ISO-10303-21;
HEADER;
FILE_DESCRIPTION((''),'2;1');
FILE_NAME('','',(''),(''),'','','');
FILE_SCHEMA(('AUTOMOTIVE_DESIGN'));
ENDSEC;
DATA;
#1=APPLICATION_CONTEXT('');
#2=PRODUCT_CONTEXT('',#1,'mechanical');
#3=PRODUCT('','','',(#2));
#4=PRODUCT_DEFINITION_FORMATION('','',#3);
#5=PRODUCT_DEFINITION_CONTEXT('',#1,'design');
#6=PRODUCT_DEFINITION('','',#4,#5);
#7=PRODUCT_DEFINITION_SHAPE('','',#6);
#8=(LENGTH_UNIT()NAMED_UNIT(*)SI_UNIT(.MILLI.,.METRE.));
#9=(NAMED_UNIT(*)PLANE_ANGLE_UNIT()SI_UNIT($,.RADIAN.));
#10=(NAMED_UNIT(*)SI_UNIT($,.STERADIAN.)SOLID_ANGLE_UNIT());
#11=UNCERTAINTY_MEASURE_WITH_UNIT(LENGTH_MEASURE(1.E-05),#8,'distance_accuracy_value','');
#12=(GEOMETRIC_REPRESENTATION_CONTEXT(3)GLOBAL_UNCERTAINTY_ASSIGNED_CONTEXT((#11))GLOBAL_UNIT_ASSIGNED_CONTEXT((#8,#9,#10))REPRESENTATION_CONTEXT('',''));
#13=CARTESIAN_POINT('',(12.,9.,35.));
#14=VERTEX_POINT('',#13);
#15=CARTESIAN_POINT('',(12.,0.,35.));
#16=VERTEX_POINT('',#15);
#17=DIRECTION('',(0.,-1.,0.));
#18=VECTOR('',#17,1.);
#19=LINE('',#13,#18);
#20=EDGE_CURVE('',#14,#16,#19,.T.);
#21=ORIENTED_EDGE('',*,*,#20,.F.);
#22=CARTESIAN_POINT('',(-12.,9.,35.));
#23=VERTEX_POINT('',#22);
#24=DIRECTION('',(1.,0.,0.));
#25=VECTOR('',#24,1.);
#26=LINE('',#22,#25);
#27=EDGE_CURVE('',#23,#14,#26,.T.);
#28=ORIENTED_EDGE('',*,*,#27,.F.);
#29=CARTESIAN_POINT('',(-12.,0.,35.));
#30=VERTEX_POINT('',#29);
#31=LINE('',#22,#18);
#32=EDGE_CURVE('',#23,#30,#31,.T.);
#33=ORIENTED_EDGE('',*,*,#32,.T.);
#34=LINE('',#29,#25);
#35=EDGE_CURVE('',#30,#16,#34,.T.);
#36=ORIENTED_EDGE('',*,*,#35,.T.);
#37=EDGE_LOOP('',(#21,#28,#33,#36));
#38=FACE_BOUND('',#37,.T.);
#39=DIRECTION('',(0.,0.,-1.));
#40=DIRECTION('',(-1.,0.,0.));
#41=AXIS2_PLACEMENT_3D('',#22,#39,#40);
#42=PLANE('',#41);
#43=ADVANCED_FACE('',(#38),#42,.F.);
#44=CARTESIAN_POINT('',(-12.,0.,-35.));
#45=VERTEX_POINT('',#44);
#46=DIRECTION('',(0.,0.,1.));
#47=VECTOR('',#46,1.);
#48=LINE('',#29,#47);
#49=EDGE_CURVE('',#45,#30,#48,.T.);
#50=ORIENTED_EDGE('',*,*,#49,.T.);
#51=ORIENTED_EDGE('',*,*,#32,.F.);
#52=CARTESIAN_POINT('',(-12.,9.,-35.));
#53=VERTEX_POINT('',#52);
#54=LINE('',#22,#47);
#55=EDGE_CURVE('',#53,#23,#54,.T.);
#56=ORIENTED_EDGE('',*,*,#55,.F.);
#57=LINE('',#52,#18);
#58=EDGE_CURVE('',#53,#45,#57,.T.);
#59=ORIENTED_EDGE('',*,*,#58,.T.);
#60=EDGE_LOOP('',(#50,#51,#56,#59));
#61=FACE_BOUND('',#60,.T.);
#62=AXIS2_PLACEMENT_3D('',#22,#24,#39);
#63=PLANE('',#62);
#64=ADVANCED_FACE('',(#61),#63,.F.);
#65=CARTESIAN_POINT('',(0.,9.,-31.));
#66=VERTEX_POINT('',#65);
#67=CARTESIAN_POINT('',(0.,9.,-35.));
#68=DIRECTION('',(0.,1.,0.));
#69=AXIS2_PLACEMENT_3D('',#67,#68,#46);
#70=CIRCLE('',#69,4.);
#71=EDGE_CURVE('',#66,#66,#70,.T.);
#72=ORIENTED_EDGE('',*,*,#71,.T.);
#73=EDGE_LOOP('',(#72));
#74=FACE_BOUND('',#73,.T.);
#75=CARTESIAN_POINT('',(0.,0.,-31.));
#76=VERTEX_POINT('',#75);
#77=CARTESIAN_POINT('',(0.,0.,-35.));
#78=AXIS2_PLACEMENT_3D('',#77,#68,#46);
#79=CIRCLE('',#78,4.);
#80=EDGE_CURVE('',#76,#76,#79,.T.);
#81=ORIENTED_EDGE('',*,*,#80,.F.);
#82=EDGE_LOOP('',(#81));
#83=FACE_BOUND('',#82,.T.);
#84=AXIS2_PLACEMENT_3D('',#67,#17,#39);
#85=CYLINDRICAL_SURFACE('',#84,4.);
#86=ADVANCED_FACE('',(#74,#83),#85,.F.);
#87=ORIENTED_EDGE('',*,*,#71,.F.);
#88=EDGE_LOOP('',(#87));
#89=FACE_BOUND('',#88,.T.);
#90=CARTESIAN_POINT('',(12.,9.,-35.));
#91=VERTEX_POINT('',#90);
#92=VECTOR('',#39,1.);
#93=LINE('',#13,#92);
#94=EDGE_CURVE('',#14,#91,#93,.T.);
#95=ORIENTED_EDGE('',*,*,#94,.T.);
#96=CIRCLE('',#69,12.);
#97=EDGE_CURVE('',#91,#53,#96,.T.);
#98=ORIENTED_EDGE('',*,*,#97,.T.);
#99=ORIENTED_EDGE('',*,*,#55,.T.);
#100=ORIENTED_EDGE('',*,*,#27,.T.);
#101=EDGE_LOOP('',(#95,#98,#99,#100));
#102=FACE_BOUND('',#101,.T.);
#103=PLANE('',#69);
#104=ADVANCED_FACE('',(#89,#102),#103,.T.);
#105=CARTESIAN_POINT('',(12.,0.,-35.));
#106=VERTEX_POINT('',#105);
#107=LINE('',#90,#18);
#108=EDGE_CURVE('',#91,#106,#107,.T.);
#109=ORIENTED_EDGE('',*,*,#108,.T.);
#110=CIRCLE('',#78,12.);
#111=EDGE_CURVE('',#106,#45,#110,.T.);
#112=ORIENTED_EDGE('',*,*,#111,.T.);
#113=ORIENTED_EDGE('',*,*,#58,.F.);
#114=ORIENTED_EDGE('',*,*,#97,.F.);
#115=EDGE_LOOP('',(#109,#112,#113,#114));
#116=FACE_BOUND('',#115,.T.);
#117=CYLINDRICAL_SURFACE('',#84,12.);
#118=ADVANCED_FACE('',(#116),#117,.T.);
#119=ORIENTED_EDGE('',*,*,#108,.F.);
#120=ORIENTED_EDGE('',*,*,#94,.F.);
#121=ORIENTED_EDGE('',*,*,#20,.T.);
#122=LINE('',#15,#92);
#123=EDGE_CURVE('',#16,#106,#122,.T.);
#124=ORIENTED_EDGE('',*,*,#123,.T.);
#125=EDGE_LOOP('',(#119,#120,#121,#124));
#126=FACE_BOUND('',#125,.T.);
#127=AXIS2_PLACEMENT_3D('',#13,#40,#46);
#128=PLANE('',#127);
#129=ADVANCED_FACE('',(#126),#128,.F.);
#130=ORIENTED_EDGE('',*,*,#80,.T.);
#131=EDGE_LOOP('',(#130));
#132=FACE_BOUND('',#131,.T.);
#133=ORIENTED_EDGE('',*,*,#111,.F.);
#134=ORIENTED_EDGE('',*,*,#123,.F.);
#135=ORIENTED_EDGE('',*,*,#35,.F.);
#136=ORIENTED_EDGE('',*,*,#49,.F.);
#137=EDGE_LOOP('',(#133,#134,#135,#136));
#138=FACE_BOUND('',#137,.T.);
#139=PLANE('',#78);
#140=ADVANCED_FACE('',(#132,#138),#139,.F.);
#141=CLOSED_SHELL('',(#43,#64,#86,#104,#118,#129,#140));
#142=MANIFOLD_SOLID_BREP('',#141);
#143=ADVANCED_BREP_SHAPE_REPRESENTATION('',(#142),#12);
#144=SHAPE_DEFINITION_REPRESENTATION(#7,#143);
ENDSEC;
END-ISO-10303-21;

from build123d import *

# Parameters (mm, degrees)
ESQUISSE1_R        = 4
BOSS_EXTRU_1_DEPTH = 9


with BuildPart() as part:
    # Esquisse1 → Boss.-Extru.1 (new body)
    with BuildSketch(Plane(origin=(0, 0, 0), x_dir=(1, 0, 0), z_dir=(0, 1, 0))):
        with BuildLine():
            Line((-12, -35), (12, -35))
            Line((12, -35), (12, 35))
            ThreePointArc((12, 35), (0, 47), (-12, 35))
            Line((-12, 35), (-12, -35))
        make_face()
        with Locations(Location((0, 35, 0), (0, 0, 270))):
            Circle(ESQUISSE1_R, mode=Mode.SUBTRACT)
    extrude(amount=BOSS_EXTRU_1_DEPTH)


solid = part.part
